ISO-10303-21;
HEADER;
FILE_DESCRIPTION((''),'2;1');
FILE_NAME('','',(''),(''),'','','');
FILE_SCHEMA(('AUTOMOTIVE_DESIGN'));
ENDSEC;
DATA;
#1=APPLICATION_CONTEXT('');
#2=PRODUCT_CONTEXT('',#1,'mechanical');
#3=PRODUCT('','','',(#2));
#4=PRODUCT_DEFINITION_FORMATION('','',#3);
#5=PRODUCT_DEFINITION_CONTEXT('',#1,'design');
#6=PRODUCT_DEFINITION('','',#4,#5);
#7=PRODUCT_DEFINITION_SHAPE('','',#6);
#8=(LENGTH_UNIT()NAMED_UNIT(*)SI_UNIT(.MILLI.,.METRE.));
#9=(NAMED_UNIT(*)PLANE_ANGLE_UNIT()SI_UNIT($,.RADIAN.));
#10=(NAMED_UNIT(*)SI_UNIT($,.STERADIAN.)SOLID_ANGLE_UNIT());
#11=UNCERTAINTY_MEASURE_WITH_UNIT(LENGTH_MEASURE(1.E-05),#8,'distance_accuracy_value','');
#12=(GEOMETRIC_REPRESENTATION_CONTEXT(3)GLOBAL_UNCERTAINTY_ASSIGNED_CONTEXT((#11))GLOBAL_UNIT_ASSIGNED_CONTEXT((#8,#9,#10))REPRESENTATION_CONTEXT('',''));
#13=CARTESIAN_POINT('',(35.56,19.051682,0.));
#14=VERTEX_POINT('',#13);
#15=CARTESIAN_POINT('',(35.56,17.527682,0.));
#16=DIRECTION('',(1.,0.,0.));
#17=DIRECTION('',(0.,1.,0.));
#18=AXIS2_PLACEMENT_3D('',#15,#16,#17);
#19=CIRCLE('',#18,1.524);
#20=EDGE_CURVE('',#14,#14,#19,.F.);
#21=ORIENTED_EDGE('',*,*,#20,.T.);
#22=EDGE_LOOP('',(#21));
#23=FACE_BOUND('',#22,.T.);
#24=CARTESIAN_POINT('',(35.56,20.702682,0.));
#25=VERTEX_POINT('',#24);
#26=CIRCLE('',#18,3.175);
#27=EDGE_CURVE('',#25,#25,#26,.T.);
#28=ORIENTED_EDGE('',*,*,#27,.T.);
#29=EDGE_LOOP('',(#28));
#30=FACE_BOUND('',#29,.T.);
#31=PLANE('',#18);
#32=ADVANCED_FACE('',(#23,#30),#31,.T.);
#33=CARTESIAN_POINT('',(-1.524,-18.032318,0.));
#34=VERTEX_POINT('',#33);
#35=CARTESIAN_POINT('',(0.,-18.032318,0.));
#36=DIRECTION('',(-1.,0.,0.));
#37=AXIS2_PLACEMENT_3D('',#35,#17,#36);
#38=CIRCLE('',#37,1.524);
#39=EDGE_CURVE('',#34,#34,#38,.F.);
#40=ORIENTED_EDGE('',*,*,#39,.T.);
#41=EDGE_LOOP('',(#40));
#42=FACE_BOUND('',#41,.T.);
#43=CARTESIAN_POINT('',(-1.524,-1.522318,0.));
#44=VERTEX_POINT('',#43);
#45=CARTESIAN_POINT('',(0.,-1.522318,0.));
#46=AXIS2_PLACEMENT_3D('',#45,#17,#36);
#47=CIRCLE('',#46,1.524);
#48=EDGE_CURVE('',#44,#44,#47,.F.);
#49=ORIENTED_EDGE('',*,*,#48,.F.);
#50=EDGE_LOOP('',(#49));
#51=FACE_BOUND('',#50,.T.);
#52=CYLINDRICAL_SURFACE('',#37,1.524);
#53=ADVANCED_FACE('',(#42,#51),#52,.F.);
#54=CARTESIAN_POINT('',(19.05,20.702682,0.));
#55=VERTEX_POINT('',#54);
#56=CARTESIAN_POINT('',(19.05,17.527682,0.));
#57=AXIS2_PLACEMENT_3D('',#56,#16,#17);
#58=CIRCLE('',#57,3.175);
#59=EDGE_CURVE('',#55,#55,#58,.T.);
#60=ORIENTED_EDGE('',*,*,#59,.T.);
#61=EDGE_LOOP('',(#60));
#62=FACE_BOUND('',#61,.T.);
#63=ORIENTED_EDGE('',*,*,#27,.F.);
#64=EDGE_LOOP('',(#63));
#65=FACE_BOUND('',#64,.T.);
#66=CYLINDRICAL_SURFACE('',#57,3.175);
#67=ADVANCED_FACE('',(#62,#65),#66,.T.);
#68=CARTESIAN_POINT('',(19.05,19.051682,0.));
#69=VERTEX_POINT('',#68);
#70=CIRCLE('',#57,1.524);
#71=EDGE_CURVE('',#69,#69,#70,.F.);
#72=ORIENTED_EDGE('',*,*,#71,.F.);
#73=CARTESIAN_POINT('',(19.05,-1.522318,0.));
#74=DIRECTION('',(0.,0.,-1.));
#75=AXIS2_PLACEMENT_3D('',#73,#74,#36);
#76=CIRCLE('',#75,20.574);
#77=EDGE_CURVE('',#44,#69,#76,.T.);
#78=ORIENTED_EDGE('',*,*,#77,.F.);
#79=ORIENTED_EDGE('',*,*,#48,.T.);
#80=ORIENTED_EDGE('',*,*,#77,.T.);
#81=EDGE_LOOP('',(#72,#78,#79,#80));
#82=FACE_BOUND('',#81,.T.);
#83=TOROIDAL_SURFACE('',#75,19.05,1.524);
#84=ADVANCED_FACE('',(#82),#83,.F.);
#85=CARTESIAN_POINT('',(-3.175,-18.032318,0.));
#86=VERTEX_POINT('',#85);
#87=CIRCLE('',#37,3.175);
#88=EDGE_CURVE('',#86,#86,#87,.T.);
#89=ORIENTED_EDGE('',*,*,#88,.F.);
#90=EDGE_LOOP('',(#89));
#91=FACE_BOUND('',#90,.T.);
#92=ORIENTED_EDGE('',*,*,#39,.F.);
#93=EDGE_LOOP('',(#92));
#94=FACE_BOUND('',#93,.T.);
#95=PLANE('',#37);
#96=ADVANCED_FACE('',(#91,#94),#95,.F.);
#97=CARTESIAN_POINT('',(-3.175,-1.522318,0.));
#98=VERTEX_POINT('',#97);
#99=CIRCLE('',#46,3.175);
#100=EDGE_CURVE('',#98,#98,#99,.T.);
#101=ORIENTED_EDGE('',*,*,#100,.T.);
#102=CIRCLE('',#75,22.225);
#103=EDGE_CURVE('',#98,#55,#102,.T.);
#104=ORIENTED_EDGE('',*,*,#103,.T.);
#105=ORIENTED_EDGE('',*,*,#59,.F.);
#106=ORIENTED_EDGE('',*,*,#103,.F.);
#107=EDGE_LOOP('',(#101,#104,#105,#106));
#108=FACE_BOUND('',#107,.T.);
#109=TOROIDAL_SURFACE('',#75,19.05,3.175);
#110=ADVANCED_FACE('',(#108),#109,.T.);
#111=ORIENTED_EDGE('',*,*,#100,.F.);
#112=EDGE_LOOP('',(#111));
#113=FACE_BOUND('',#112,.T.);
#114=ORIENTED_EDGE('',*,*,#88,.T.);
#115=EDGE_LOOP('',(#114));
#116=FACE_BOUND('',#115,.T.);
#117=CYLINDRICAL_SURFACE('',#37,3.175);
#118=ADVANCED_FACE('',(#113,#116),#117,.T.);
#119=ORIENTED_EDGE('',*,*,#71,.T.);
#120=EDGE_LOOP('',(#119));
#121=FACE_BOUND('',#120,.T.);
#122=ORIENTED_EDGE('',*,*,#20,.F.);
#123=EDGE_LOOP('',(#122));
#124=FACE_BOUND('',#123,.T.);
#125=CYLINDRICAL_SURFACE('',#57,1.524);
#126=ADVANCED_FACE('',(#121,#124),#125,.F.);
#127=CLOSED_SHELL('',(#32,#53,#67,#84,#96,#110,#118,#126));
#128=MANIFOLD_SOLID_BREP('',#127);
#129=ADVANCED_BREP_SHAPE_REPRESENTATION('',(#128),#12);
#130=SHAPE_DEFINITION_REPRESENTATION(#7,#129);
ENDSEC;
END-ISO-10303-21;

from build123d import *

# Parameters (mm, degrees)
SKETCH2_R   = 3.175
SKETCH2_R_2 = 1.524


with BuildPart() as part:
    # Sweep1: sweep along a path in Sketch1
    with BuildLine(Plane.XY) as sweep1_path:
        Line((0, -18.032317881), (0, -1.522317881))
        ThreePointArc((0, -1.522317881), (5.579615818, 11.948066301), (19.05, 17.527682119))
        Line((19.05, 17.527682119), (35.56, 17.527682119))
    # Sketch2 → Sweep1 (sweep)
    with BuildSketch(Plane(origin=(35.56, 17.527682119, 0), x_dir=(0, 0, -1), z_dir=(1, 0, 0))):
        Circle(SKETCH2_R)
        Circle(SKETCH2_R_2, mode=Mode.SUBTRACT)
    sweep(path=sweep1_path.line)


solid = part.part
